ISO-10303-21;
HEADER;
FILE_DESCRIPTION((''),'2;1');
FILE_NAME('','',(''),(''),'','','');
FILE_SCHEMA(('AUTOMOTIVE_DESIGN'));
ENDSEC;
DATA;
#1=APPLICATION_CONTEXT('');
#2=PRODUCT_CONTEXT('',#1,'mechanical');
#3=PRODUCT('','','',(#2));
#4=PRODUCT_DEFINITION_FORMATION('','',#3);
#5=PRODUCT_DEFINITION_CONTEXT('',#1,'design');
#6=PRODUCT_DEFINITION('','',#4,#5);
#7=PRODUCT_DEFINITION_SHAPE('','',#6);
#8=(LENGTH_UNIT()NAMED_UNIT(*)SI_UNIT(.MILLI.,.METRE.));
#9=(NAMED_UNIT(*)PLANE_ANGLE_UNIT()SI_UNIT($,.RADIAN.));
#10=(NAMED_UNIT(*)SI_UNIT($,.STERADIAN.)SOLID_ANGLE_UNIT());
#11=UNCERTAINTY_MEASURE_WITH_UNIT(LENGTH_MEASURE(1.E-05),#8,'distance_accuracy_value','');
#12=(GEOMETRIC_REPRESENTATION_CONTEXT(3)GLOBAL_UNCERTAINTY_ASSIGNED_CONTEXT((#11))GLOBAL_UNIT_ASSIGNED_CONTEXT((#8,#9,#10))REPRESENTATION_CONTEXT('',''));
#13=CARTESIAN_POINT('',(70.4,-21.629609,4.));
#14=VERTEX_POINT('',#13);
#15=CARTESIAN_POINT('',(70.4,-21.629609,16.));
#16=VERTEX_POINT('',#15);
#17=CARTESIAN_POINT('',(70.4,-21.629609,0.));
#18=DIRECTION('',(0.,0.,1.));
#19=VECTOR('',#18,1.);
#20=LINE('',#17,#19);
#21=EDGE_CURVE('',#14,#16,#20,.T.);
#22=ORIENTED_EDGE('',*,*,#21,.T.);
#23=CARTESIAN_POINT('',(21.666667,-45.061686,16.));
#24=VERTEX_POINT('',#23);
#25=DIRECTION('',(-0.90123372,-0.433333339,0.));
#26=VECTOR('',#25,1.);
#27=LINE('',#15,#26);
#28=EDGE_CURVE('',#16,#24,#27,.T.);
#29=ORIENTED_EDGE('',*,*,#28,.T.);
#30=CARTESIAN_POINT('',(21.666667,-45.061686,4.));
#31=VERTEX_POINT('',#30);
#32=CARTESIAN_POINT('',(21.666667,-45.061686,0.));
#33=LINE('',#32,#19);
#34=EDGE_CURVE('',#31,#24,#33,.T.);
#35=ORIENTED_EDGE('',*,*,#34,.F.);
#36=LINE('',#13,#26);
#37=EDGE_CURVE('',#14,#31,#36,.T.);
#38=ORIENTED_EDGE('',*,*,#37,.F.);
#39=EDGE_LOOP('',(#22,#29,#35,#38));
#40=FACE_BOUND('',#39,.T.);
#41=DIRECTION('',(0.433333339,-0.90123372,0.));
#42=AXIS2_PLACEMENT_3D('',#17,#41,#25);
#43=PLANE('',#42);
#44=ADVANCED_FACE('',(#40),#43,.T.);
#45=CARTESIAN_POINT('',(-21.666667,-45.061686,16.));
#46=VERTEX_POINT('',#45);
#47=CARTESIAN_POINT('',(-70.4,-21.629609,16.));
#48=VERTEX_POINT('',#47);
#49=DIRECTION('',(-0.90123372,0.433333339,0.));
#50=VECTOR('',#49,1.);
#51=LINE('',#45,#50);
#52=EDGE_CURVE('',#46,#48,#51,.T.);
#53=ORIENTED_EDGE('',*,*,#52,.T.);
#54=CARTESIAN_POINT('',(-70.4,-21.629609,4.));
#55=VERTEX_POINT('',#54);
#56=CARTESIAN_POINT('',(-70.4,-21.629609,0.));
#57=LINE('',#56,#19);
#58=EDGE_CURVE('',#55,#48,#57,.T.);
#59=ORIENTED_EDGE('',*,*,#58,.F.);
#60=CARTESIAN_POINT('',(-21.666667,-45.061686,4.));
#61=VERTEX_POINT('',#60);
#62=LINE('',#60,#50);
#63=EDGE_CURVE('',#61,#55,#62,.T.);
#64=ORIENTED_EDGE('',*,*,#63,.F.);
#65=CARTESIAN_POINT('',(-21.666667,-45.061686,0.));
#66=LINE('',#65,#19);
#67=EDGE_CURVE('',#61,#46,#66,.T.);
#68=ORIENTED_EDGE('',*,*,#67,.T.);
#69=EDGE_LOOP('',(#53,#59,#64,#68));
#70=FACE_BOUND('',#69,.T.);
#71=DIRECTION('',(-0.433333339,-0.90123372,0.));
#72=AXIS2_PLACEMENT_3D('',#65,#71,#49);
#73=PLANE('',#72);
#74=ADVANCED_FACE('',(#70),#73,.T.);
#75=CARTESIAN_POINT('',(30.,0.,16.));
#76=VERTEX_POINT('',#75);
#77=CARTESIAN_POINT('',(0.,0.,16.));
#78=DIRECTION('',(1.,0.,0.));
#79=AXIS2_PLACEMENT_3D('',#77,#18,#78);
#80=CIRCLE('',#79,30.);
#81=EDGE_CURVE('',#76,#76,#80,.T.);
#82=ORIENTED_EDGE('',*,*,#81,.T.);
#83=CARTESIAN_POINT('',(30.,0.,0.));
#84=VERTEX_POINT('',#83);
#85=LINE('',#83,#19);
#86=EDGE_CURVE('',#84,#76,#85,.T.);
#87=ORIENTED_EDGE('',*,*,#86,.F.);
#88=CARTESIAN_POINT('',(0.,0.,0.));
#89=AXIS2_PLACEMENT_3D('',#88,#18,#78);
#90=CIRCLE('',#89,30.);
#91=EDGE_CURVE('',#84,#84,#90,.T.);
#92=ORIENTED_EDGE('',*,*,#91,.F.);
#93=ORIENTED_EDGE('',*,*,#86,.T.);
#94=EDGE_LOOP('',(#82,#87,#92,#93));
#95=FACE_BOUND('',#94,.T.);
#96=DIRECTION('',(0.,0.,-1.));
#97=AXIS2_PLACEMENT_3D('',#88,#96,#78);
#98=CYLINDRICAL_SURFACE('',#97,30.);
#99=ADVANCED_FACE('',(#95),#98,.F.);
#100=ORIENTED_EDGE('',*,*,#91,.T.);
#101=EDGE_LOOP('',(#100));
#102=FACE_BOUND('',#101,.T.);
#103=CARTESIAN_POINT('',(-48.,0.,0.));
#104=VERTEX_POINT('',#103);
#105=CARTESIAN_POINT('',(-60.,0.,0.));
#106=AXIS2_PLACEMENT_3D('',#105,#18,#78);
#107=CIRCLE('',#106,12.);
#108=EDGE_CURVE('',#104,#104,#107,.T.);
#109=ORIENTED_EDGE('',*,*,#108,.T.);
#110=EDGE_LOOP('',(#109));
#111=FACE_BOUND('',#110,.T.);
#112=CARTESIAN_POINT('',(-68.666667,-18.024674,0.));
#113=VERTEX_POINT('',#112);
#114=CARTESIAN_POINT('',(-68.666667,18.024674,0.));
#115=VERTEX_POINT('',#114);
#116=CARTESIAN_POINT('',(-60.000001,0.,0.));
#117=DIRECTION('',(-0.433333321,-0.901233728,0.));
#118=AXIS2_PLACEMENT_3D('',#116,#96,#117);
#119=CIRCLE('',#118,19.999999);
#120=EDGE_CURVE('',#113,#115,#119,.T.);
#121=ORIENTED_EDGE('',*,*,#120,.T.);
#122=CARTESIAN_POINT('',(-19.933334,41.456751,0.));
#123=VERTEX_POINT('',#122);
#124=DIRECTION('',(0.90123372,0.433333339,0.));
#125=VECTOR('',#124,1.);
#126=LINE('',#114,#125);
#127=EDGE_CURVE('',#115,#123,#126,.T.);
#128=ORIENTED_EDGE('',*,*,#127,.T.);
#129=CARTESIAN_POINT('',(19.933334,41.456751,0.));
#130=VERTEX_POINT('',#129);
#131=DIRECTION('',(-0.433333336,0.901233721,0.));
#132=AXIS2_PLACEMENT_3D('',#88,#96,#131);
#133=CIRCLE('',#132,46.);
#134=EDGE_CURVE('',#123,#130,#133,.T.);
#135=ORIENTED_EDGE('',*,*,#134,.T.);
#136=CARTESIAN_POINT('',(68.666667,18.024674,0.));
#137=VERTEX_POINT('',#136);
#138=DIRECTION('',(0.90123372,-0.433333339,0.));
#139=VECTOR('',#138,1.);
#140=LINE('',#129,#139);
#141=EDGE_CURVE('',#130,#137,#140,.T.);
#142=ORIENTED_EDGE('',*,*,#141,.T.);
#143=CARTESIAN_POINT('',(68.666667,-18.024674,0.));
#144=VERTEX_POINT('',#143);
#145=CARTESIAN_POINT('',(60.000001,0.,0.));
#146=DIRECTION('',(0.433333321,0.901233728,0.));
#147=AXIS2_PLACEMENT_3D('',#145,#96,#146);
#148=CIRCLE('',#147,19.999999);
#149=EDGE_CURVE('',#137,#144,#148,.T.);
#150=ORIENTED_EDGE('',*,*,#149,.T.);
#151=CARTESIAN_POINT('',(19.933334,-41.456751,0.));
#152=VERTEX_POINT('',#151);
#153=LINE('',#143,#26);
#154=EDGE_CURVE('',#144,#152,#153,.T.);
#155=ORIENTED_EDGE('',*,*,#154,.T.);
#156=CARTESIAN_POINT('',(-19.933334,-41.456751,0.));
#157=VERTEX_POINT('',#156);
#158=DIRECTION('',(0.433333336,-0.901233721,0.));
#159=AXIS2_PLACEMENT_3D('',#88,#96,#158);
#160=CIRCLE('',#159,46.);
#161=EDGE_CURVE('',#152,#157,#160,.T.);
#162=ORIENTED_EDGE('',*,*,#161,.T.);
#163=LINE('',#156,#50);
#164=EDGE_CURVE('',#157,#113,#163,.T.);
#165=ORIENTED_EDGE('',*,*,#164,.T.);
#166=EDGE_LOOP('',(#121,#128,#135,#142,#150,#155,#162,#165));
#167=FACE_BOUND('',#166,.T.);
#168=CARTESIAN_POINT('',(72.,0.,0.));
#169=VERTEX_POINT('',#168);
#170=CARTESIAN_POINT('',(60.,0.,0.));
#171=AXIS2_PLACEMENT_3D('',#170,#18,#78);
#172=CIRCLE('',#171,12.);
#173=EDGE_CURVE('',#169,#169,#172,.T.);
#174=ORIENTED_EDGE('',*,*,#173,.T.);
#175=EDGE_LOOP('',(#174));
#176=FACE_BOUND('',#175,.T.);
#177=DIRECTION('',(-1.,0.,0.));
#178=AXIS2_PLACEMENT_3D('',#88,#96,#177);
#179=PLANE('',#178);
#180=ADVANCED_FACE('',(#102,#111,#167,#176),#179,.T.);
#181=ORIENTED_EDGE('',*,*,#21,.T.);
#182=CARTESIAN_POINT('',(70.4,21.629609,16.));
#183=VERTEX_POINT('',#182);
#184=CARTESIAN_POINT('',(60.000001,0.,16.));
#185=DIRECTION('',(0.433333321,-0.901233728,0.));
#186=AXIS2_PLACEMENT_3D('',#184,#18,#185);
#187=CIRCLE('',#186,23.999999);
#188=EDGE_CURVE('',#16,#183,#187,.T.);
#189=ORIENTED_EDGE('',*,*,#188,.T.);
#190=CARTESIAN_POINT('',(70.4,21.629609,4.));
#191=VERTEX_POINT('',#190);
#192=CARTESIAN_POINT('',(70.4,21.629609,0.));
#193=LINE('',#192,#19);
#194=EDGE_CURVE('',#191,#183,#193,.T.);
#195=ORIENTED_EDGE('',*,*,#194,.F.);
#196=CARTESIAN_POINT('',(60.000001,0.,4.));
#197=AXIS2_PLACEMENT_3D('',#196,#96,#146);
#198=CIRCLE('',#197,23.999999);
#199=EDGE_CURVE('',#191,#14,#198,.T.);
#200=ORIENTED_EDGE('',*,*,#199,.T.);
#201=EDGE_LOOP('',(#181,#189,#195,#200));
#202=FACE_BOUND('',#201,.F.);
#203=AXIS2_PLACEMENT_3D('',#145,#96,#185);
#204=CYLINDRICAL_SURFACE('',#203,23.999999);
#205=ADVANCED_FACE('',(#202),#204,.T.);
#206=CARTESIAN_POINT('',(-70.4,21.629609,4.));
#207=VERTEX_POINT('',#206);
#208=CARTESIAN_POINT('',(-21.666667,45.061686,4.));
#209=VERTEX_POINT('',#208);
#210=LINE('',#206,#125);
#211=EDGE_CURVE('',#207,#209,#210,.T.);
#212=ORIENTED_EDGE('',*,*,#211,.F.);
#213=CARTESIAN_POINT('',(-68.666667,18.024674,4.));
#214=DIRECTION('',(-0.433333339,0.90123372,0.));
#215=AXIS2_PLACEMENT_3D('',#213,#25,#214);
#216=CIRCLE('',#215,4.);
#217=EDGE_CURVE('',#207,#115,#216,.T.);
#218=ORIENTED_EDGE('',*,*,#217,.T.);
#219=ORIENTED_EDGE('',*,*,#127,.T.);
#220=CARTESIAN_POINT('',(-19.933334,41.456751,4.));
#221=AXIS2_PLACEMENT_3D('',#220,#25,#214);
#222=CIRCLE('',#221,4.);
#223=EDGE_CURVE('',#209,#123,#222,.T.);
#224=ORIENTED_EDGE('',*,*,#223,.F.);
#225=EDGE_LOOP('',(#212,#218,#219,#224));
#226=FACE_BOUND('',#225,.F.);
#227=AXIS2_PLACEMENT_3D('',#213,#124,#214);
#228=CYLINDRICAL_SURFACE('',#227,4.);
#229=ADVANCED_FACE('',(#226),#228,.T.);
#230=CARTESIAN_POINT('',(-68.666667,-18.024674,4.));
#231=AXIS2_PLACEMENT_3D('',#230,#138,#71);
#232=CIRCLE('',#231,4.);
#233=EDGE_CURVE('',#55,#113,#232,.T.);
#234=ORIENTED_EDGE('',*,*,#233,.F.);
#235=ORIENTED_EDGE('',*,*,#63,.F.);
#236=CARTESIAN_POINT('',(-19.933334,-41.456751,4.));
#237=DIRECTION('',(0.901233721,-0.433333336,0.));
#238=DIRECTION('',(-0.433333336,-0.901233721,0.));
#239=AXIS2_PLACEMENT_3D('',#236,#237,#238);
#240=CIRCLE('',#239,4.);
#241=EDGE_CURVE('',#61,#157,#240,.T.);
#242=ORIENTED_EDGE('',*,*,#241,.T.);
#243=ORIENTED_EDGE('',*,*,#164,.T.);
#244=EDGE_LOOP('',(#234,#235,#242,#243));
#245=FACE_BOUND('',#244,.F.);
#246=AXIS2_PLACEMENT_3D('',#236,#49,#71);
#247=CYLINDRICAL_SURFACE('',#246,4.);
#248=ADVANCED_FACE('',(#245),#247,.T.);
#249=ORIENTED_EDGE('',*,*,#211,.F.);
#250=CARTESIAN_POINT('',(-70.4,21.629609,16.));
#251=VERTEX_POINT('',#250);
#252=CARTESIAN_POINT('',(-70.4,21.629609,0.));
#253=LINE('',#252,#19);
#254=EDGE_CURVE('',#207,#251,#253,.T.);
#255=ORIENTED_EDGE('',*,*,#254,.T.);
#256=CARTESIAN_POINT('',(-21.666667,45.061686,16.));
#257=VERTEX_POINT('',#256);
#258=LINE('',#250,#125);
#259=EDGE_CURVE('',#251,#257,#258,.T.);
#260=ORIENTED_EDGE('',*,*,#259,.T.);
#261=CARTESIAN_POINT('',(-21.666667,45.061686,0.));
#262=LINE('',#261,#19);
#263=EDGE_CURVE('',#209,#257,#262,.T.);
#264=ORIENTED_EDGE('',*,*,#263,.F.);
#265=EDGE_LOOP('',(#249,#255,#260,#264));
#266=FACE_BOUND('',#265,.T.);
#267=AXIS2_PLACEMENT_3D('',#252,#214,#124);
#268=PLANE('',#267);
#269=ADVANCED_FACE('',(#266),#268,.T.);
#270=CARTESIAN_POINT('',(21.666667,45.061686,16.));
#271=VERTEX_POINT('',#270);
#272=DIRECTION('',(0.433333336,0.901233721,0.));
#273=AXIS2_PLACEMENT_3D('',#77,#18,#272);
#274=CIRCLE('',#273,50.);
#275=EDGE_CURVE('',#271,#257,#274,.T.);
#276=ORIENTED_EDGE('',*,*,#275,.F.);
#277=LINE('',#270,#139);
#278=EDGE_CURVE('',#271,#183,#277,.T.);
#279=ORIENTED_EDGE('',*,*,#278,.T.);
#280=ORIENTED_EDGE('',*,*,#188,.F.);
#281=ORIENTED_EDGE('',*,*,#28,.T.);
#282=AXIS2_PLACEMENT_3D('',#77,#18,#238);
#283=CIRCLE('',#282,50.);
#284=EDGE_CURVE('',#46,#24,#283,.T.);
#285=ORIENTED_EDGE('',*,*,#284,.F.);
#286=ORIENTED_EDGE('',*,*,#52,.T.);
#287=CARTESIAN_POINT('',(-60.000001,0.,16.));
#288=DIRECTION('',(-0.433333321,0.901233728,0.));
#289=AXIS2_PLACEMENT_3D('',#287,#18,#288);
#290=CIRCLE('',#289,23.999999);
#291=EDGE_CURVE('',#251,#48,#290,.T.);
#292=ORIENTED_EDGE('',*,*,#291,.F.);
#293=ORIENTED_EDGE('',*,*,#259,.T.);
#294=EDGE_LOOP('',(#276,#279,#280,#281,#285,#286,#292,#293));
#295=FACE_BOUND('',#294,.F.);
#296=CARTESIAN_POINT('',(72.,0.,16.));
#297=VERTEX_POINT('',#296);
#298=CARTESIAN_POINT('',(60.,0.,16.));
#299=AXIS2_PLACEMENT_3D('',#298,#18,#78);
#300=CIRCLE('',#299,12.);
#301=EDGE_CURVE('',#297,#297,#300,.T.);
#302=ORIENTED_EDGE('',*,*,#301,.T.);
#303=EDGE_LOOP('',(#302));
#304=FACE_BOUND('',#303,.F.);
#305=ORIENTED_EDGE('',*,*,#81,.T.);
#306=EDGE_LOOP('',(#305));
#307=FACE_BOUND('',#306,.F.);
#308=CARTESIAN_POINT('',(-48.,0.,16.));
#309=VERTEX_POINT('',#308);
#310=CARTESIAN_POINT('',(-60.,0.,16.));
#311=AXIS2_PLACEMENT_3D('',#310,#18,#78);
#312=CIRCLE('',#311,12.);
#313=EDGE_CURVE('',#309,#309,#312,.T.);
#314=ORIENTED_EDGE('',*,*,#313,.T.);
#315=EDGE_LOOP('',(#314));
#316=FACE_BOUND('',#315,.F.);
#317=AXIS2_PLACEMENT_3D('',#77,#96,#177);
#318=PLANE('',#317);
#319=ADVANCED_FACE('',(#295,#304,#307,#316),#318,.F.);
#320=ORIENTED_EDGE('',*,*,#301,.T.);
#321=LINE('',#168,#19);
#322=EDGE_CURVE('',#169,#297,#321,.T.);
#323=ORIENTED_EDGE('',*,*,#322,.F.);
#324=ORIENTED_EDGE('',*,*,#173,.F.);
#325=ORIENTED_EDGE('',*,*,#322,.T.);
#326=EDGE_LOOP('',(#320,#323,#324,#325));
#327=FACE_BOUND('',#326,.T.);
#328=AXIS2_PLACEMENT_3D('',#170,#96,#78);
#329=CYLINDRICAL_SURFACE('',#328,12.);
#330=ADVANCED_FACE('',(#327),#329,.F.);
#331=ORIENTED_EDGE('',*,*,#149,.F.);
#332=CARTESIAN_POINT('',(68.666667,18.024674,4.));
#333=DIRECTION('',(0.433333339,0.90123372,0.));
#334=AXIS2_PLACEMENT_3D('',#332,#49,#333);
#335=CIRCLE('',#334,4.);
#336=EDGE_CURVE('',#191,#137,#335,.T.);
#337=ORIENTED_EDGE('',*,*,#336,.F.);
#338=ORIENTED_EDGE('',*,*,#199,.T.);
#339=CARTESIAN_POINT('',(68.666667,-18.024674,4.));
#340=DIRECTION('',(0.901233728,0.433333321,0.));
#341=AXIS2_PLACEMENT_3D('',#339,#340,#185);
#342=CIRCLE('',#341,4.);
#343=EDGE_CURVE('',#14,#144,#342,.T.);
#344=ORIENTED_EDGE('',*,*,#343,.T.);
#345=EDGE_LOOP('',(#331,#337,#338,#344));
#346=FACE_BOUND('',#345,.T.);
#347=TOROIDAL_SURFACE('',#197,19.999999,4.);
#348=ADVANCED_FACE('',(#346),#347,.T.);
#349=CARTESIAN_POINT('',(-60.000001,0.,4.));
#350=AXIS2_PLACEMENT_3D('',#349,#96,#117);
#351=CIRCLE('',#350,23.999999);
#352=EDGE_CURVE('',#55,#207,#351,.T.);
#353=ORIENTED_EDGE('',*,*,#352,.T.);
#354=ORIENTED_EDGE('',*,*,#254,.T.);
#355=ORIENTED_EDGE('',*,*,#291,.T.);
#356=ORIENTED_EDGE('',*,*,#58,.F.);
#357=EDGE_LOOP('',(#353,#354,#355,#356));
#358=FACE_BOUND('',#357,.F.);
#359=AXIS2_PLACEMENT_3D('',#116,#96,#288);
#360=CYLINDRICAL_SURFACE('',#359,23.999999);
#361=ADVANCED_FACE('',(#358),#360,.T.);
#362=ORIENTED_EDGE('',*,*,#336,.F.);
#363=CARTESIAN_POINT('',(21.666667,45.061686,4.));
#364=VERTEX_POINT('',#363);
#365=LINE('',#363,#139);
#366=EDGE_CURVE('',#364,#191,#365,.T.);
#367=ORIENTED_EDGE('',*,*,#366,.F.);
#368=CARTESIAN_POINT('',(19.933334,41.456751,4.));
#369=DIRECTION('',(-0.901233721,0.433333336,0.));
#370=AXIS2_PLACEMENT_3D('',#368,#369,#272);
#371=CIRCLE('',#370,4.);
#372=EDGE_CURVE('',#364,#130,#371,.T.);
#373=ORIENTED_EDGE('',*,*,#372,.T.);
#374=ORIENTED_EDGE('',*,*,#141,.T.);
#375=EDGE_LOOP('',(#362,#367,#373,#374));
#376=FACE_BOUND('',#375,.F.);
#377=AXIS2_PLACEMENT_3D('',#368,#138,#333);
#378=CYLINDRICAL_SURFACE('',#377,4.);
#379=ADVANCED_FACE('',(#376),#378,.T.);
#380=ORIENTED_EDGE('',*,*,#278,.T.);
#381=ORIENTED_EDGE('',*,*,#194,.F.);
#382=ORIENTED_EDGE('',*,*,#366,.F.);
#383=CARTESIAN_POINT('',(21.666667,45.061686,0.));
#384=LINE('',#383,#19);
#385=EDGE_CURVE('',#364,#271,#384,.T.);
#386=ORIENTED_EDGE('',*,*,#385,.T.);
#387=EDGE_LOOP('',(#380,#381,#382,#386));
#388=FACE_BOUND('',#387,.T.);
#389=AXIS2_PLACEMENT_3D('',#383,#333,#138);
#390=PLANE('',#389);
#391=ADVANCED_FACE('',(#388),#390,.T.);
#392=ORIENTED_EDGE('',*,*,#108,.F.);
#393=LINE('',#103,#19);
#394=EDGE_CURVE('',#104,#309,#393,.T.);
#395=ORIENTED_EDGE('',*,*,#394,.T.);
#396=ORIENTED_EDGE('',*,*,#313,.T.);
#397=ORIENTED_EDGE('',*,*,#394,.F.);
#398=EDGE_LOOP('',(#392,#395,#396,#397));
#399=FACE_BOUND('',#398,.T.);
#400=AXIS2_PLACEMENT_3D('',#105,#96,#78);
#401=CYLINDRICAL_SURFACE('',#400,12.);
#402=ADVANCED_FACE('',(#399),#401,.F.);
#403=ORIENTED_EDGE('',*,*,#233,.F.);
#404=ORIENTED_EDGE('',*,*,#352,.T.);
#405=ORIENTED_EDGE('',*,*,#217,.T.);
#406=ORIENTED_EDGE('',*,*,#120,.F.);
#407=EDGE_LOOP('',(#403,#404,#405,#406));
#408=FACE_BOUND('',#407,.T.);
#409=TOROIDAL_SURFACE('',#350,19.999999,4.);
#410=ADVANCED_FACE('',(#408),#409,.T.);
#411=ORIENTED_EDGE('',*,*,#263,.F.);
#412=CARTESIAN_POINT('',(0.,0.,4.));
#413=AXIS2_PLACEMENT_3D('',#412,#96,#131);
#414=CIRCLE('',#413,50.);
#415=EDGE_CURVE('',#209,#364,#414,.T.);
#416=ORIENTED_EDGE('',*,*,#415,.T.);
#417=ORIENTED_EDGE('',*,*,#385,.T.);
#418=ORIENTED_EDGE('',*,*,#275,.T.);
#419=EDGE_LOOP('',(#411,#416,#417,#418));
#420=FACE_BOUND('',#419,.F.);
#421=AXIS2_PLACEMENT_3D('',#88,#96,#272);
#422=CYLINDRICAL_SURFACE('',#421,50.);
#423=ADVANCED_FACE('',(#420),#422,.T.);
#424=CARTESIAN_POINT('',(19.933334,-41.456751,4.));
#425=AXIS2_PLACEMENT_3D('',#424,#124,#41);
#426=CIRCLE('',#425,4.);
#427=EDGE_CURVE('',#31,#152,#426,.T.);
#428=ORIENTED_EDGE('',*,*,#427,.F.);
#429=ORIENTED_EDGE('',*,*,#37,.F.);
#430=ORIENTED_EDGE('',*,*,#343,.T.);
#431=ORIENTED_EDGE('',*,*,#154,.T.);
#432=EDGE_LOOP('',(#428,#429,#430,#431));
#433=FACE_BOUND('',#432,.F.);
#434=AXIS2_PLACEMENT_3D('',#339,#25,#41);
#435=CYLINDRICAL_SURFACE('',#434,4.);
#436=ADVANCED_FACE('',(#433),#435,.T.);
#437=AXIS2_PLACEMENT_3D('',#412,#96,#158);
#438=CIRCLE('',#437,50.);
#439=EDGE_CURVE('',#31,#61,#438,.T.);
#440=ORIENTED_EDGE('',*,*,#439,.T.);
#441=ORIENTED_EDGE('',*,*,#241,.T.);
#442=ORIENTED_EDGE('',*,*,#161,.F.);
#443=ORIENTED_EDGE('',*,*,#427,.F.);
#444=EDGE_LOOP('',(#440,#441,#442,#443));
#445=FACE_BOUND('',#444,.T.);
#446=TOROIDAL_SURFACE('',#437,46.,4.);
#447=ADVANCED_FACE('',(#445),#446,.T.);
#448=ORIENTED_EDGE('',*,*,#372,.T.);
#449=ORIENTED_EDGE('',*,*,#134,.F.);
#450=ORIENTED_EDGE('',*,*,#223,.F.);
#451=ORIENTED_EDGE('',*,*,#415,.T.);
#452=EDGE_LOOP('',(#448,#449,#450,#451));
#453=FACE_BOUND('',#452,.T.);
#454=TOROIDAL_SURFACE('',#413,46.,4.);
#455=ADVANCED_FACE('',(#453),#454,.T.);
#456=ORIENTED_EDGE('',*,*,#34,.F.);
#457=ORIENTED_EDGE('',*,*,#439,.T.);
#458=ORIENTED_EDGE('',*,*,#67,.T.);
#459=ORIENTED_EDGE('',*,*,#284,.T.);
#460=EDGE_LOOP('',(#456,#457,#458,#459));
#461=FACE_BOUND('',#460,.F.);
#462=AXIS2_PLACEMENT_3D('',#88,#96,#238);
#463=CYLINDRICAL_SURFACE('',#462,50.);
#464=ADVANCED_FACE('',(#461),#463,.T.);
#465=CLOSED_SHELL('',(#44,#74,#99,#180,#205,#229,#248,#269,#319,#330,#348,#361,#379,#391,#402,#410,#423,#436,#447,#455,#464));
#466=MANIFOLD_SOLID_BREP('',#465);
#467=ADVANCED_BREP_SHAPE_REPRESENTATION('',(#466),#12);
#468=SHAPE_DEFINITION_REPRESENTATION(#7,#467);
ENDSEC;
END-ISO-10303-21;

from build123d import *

# Parameters (mm, degrees)
SKETCH_R   = 30
SKETCH_R_2 = 12
PAD_DEPTH  = 16
FILLET_R   = 4


with BuildPart() as part:
    # Sketch → Pad (new body)
    with BuildSketch(Plane.XY):
        with BuildLine():
            Line((-70.4, 21.629609), (-21.666667, 45.061686))
            ThreePointArc((21.666667, 45.061686), (0, 50), (-21.666667, 45.061686))
            Line((21.666667, 45.061686), (70.4, 21.629609))
            ThreePointArc((70.4, -21.629609), (84, 0), (70.4, 21.629609))
            Line((70.4, -21.629609), (21.666667, -45.061686))
            ThreePointArc((-21.666667, -45.061686), (0, -50), (21.666667, -45.061686))
            Line((-21.666667, -45.061686), (-70.4, -21.629609))
            ThreePointArc((-70.4, 21.629609), (-84, 0), (-70.4, -21.629609))
        make_face()
        Circle(SKETCH_R, mode=Mode.SUBTRACT)
        with Locations((60, 0)):
            Circle(SKETCH_R_2, mode=Mode.SUBTRACT)
        with Locations((-60, 0)):
            Circle(SKETCH_R_2, mode=Mode.SUBTRACT)
    extrude(amount=PAD_DEPTH)

    # Fillet
    fillet_edges = [part.edges().sort_by_distance(p)[0] for p in [
        (-46.033333, 33.345648, 0),
    ]]
    fillet(fillet_edges, radius=FILLET_R)


solid = part.part
